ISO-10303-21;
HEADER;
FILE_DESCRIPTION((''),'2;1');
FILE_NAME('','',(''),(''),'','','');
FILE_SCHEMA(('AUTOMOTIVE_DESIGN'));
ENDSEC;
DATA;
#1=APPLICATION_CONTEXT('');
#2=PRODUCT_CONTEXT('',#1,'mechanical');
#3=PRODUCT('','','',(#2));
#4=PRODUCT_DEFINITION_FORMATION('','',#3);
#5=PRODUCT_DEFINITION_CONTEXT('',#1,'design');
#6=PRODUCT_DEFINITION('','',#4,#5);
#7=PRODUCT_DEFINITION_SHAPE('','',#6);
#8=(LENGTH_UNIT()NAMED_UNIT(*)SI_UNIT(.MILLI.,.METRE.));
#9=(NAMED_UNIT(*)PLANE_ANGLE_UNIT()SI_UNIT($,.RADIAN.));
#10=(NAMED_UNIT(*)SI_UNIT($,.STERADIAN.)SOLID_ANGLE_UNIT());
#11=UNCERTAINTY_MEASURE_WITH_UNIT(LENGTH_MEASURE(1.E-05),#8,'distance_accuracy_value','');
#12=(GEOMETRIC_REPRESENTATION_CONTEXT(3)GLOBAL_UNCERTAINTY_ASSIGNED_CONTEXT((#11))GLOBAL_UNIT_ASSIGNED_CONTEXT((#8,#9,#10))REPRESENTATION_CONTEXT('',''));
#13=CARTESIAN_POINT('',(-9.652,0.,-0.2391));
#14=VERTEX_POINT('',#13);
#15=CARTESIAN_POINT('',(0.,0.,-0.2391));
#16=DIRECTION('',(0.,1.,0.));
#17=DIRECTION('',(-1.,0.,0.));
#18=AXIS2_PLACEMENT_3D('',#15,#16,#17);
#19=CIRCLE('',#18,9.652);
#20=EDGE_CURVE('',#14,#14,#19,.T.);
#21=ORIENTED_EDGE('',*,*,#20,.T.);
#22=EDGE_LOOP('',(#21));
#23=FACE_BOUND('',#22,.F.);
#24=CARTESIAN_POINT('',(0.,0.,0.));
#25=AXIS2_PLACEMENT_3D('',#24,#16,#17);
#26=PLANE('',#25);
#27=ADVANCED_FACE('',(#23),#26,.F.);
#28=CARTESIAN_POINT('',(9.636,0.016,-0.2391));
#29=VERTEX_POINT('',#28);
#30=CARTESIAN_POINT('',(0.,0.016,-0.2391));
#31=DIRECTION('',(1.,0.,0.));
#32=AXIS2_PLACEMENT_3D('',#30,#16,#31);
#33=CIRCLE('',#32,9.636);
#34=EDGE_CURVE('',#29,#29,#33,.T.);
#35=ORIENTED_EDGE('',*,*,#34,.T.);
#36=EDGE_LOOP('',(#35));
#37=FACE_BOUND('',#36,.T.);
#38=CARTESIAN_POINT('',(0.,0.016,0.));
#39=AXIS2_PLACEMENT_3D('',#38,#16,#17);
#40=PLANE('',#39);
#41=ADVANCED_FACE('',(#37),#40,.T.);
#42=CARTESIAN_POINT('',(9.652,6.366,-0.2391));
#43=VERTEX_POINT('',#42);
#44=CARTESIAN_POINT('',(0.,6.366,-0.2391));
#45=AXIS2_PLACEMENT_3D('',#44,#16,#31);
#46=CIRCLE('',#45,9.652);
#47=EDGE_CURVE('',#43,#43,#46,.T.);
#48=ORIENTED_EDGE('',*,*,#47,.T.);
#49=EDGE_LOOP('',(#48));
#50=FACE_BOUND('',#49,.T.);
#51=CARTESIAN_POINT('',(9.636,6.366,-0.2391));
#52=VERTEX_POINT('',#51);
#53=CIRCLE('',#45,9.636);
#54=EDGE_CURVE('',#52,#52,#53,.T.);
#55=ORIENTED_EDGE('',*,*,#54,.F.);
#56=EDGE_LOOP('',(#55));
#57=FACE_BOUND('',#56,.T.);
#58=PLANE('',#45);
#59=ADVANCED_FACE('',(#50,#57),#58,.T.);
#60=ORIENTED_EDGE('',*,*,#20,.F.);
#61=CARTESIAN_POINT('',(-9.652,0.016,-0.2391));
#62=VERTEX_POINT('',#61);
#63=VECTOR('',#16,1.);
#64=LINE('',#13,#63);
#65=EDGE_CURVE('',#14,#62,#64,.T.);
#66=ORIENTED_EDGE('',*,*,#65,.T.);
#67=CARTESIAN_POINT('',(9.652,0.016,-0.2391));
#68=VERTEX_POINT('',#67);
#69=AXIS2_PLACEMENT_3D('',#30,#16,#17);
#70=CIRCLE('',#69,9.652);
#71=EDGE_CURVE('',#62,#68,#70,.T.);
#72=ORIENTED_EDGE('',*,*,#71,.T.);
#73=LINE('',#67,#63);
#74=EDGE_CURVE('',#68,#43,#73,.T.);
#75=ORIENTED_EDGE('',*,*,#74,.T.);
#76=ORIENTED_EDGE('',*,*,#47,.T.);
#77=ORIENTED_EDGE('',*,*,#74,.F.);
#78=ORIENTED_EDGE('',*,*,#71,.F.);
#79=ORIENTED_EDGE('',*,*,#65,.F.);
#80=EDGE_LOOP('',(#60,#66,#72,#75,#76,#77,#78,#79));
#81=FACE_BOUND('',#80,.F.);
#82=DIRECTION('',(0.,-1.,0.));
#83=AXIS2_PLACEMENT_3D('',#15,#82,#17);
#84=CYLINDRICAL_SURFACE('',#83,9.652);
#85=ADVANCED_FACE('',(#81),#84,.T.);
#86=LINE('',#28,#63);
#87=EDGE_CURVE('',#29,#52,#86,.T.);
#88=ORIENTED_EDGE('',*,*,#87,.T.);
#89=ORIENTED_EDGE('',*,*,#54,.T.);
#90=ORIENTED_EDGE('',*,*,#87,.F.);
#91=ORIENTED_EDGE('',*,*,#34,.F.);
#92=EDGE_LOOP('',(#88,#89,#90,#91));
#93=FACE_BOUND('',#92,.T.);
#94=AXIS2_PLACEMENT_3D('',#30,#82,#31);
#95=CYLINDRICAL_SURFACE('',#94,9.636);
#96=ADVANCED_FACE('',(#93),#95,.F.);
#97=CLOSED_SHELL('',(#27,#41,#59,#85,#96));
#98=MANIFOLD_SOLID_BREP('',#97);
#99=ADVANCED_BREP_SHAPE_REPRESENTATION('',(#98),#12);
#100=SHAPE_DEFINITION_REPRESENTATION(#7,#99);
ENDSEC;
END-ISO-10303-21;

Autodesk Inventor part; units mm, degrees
ref_plane "YZ Plane" through (0, 0, 0) normal (1, 0, 0) x (0, 1, 0)
ref_plane "XZ Plane" through (0, 0, 0) normal (0, 1, 0) x (-1, 0, 0)
ref_plane "XY Plane" through (0, 0, 0) normal (0, 0, 1) x (1, 0, 0)
sketch "Sketch1" plane through (0, 0, 0) normal (0, 1, 0) x (-1, 0, 0)
  circle A0 centre (0, -0.2391) radius 9.652
  point P0 (0, 0)
  dimension "d0" = 19.304
extrude "Extrusion1" add sketch "Sketch1" along normal blind 0.016
sketch "Sketch2" plane through (0, 0.016, -0.2391) normal (0, 1, 0) x (1, 0, 0)
  circle A0 centre (0, 0) radius 9.652 projected
  circle A1 centre (0, 0) radius 9.636
  point P0 (0, -0.2391)
  dimension "d3" = 0.016
extrude "Extrusion2" add sketch "Sketch2" along normal blind 6.35
properties part number "mesh"
